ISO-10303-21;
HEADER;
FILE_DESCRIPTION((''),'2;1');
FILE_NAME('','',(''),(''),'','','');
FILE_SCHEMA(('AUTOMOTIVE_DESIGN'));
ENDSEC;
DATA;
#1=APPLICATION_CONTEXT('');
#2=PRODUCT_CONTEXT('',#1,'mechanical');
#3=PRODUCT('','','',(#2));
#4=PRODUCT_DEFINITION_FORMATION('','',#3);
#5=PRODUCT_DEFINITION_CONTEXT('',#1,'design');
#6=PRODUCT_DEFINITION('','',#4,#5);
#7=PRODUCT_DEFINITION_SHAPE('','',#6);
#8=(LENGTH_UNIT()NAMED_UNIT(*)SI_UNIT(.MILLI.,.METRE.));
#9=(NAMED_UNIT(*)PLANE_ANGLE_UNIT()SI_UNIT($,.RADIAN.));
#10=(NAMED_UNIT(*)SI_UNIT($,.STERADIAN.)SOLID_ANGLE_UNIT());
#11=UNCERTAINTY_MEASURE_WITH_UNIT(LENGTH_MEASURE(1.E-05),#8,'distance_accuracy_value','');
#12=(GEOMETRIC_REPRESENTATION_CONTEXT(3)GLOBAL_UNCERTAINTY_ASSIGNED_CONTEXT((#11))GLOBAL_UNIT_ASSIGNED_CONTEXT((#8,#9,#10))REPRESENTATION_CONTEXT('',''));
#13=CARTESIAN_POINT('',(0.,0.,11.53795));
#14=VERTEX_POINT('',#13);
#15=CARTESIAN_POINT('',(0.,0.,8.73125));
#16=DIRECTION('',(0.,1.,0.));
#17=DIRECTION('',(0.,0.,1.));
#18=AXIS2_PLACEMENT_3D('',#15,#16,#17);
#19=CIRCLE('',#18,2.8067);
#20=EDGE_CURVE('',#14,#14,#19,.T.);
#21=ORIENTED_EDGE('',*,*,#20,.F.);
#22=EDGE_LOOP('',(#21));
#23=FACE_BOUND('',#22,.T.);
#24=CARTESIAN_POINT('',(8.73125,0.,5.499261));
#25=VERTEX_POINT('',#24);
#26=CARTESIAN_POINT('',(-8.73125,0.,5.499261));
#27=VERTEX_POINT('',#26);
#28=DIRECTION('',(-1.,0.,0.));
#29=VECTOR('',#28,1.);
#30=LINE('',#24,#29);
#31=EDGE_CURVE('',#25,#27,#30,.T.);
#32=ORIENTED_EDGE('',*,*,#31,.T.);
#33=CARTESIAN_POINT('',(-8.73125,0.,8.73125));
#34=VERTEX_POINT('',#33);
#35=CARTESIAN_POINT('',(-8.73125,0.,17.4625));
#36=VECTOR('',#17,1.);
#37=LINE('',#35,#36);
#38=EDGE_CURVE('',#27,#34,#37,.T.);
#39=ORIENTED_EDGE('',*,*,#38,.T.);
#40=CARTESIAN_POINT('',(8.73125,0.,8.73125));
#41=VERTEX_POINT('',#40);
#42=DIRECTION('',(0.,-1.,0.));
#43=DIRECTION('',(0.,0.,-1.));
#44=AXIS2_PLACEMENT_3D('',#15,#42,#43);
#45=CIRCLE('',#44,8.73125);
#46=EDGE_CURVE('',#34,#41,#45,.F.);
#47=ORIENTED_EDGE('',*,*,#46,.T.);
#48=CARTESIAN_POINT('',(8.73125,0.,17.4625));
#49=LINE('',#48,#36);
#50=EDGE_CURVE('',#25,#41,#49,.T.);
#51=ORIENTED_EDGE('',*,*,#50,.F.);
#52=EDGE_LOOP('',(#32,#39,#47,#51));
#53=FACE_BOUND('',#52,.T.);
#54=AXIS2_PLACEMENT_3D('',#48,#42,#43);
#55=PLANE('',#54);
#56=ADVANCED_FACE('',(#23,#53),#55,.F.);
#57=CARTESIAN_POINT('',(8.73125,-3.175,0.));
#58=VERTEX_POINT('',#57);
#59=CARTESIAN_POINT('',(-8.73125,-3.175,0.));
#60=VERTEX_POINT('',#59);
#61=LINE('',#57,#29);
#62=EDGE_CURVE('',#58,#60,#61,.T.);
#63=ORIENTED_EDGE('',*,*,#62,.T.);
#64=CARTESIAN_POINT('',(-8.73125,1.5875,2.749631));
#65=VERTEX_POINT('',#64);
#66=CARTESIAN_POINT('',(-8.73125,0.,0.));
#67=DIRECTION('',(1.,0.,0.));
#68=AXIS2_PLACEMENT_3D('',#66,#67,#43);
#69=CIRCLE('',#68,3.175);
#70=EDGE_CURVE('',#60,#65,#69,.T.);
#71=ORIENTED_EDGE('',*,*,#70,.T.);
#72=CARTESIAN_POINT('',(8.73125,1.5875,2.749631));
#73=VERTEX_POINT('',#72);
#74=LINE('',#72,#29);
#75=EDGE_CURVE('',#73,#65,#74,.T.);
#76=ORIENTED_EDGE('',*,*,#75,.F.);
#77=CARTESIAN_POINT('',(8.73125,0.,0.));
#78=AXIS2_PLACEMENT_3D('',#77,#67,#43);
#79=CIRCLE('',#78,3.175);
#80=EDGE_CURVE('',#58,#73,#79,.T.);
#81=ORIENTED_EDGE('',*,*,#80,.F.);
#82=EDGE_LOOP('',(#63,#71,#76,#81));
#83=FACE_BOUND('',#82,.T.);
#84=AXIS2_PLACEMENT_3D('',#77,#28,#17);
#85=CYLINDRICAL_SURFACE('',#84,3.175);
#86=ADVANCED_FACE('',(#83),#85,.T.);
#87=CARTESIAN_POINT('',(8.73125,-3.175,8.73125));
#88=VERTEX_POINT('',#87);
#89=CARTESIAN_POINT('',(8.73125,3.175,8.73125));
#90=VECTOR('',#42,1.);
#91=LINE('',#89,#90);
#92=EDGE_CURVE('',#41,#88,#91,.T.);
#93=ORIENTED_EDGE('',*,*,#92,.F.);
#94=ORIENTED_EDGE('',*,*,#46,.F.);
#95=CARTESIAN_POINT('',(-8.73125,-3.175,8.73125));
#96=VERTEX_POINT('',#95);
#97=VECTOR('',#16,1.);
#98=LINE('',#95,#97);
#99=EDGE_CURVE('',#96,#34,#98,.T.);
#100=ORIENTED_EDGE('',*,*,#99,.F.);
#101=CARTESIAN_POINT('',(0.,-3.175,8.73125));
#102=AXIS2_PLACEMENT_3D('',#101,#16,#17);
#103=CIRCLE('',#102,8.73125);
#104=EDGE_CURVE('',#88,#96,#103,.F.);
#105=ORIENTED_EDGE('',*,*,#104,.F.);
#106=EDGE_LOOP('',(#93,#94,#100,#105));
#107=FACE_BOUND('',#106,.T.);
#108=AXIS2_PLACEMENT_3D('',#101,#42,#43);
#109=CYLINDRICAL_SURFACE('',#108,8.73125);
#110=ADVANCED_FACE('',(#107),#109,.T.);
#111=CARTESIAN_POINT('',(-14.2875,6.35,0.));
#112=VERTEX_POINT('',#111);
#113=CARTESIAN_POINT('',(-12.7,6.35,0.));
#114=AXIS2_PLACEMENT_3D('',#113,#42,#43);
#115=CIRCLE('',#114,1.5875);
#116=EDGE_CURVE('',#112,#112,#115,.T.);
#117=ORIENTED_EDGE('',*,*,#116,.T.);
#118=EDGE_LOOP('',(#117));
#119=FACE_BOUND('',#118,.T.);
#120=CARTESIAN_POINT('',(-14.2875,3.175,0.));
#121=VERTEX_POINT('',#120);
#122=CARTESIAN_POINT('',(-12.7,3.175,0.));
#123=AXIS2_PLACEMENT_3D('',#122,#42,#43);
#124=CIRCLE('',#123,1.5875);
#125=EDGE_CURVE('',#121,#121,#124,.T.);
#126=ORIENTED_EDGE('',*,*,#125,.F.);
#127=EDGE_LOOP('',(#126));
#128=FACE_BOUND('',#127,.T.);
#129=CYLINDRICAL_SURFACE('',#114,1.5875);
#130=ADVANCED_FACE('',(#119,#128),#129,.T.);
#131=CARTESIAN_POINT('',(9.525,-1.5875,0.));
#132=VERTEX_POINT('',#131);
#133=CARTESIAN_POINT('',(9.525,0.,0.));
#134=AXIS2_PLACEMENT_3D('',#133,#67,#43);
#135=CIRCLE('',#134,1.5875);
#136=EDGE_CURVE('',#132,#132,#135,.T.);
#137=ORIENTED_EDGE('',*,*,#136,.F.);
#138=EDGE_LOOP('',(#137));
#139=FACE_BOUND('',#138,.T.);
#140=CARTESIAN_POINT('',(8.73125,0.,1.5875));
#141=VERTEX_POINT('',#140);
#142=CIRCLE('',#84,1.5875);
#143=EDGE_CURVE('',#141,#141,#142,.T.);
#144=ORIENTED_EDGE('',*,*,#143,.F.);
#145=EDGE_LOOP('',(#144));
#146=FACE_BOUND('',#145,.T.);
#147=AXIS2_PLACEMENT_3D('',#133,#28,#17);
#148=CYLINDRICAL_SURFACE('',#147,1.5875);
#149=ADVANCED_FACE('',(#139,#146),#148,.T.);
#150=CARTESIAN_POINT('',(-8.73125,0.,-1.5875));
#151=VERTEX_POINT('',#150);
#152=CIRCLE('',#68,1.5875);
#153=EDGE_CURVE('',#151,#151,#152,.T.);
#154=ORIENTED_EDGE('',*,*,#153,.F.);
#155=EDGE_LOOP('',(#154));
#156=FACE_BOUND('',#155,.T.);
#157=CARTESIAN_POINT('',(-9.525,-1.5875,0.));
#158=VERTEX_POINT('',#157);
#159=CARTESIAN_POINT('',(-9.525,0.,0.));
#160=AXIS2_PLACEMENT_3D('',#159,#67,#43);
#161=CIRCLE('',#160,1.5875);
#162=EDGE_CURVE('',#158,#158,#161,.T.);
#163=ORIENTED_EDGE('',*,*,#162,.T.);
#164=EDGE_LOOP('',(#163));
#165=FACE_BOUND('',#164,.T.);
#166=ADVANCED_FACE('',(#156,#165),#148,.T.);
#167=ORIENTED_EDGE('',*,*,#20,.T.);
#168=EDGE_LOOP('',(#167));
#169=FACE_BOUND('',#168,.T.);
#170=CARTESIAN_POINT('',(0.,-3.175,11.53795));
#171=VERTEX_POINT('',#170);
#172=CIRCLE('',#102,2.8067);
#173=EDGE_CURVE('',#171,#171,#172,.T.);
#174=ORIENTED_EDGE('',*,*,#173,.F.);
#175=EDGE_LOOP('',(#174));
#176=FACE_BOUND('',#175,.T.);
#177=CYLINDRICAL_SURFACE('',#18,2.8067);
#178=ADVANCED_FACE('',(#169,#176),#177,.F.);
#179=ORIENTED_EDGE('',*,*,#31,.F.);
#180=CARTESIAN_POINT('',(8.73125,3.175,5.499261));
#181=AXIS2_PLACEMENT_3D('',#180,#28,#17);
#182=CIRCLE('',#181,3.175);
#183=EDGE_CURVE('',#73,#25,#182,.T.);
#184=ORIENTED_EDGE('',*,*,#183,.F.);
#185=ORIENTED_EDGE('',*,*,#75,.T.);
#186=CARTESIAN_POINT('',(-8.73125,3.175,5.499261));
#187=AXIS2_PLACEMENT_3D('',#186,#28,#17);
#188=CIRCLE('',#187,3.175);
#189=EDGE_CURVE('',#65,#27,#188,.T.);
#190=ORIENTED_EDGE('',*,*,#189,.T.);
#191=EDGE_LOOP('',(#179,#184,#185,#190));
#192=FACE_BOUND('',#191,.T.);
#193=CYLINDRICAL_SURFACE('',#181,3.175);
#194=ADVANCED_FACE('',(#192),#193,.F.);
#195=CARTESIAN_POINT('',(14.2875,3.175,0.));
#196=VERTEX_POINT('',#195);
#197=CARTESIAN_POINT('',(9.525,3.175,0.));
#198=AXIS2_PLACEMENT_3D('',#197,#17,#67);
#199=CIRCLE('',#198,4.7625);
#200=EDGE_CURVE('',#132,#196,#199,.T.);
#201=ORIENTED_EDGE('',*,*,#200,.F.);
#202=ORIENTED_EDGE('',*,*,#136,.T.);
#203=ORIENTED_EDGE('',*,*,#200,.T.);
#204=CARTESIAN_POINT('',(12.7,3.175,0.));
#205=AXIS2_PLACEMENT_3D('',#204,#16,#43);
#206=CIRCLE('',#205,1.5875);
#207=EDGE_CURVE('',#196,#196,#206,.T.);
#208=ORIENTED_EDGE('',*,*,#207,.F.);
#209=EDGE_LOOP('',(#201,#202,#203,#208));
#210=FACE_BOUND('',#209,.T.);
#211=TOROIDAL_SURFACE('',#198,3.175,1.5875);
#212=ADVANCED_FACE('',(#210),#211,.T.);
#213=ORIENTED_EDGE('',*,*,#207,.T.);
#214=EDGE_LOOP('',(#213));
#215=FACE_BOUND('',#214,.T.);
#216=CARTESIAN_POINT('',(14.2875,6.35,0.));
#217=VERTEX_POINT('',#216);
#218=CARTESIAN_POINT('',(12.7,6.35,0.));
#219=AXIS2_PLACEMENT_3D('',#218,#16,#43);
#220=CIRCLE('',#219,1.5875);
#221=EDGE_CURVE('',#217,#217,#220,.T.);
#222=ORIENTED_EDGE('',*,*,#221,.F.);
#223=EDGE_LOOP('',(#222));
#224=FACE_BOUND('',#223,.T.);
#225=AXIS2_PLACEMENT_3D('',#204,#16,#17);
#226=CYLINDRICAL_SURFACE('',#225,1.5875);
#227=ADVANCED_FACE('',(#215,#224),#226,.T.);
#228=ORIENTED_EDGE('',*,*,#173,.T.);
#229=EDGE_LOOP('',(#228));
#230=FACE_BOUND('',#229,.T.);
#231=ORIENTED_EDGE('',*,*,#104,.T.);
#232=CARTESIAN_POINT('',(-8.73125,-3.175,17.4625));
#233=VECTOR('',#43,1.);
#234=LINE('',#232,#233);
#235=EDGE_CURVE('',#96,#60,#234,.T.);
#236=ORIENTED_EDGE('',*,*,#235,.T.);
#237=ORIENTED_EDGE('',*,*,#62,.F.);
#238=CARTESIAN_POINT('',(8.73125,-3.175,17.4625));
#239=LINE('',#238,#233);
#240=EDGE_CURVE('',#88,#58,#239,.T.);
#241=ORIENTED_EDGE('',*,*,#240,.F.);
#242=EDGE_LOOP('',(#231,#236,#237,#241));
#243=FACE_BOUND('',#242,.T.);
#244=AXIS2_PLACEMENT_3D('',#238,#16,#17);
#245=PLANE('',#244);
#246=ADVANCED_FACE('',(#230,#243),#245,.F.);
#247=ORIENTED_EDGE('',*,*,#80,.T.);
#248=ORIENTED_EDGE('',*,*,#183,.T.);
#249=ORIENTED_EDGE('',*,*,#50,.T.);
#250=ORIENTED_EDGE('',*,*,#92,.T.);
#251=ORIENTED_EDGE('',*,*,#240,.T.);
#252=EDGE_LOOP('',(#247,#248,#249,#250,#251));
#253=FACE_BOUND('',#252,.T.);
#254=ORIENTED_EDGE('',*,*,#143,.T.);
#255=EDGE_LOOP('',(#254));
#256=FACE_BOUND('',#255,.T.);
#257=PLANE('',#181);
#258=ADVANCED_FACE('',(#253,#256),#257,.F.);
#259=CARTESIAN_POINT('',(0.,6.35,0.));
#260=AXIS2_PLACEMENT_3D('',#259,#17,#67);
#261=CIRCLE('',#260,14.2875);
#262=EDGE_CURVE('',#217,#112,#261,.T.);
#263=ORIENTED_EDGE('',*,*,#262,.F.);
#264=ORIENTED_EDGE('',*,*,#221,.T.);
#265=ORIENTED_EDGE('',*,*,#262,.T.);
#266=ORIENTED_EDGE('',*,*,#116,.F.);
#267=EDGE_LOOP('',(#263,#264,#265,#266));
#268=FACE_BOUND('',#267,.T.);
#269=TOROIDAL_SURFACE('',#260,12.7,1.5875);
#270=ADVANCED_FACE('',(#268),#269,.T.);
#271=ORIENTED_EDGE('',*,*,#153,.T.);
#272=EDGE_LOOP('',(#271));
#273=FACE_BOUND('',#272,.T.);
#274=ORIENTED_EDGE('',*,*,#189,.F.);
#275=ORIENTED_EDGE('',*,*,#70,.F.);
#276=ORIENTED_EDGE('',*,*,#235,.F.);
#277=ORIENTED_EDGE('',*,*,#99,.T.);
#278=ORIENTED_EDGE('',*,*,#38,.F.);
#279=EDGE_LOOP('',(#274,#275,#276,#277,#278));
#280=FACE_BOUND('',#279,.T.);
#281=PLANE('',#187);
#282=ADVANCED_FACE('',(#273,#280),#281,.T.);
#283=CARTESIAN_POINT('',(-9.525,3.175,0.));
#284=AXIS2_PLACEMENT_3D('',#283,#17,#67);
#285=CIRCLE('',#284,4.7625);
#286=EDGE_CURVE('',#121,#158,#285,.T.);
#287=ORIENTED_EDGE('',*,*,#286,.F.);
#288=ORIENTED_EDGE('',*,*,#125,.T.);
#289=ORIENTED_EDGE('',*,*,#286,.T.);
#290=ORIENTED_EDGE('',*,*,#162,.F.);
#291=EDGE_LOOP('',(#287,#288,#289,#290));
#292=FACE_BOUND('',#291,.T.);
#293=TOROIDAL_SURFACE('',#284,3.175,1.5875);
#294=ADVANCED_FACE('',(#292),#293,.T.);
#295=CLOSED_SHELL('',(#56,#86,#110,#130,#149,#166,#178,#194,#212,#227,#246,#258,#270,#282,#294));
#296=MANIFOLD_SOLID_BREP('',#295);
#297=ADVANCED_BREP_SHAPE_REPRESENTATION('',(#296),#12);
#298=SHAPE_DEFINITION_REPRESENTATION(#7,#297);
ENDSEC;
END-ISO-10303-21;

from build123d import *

# Parameters (mm, degrees)
SKETCH3_R                  = 1.5875
SKETCH4_R                  = 1.5875
BOSS_EXTRUDE1_DEPTH        = 8.73125
FILLET1_RADIUS             = 8.73125
FILLET1_LENGTH             = 3.175
F_2_0_221_DIAMETER_HOLE1_D = 5.6134


with BuildPart() as part:
    # Sweep1: sweep along a path in Sketch2
    with BuildLine(Plane.XY) as sweep1_path:
        Line((-9.525, 0), (9.525, 0))
        ThreePointArc((9.525, 0), (11.77006403, 0.92993597), (12.7, 3.175))
        Line((12.7, 3.175), (12.7, 6.35))
        ThreePointArc((12.7, 6.35), (0, 19.05), (-12.7, 6.35))
        Line((-12.7, 6.35), (-12.7, 3.175))
        ThreePointArc((-12.7, 3.175), (-11.77006403, 0.92993597), (-9.525, 0))
    # Sketch3 → Sweep1 (sweep)
    with BuildSketch(Plane(origin=(0, 0, 0), x_dir=(0, 0, -1), z_dir=(1, 0, 0))):
        Circle(SKETCH3_R)
    sweep(path=sweep1_path.line)

    # Sketch4 → Boss-Extrude1 (add, symmetric)
    with BuildSketch(Plane(origin=(0, 0, 0), x_dir=(0, 0, -1), z_dir=(1, 0, 0))):
        with BuildLine():
            Line((-17.4625, -3.175), (0, -3.175))
            ThreePointArc((0, -3.175), (2.749630657, 1.5875), (-2.749630657, 1.5875))
            ThreePointArc((-2.749630657, 1.5875), (-3.911761314, 0.425369343), (-5.499261314, 0))
            Line((-5.499261314, 0), (-17.4625, 0))
            Line((-17.4625, 0), (-17.4625, -3.175))
        make_face()
        with Locations(Location((0, 0, 0), (0, 0, 180))):
            Circle(SKETCH4_R, mode=Mode.SUBTRACT)
    extrude(amount=BOSS_EXTRUDE1_DEPTH, both=True)

    # Fillet1: full round fillet: the end face becomes a half cylinder, R = half its width
    fillet1_face = Plane((0, -1.5875, 17.4625), x_dir=(0, 1, 0), z_dir=(0, 0, 1))  # on the end face: x along it, z out of the body
    fillet1_slab = fillet1_face.offset(-FILLET1_RADIUS / 2) * Box(FILLET1_LENGTH, 2 * FILLET1_RADIUS, FILLET1_RADIUS, mode=Mode.PRIVATE)  # the body's end, R deep
    fillet1_round = Plane((0, -1.5875, 8.73125), x_dir=(0, 0, 1), z_dir=(0, 1, 0)) * Cylinder(FILLET1_RADIUS, FILLET1_LENGTH, mode=Mode.PRIVATE)  # its axis R under the face
    add(fillet1_slab - fillet1_round, mode=Mode.SUBTRACT)

    # #2 (0.221) Diameter Hole1 (through all)
    with Locations(Plane(origin=(0, 0, 0), x_dir=(1, 0, 0), z_dir=(0, 1, 0))):
        with Locations((0, -8.73125)):
            Hole(F_2_0_221_DIAMETER_HOLE1_D / 2)


solid = part.part
